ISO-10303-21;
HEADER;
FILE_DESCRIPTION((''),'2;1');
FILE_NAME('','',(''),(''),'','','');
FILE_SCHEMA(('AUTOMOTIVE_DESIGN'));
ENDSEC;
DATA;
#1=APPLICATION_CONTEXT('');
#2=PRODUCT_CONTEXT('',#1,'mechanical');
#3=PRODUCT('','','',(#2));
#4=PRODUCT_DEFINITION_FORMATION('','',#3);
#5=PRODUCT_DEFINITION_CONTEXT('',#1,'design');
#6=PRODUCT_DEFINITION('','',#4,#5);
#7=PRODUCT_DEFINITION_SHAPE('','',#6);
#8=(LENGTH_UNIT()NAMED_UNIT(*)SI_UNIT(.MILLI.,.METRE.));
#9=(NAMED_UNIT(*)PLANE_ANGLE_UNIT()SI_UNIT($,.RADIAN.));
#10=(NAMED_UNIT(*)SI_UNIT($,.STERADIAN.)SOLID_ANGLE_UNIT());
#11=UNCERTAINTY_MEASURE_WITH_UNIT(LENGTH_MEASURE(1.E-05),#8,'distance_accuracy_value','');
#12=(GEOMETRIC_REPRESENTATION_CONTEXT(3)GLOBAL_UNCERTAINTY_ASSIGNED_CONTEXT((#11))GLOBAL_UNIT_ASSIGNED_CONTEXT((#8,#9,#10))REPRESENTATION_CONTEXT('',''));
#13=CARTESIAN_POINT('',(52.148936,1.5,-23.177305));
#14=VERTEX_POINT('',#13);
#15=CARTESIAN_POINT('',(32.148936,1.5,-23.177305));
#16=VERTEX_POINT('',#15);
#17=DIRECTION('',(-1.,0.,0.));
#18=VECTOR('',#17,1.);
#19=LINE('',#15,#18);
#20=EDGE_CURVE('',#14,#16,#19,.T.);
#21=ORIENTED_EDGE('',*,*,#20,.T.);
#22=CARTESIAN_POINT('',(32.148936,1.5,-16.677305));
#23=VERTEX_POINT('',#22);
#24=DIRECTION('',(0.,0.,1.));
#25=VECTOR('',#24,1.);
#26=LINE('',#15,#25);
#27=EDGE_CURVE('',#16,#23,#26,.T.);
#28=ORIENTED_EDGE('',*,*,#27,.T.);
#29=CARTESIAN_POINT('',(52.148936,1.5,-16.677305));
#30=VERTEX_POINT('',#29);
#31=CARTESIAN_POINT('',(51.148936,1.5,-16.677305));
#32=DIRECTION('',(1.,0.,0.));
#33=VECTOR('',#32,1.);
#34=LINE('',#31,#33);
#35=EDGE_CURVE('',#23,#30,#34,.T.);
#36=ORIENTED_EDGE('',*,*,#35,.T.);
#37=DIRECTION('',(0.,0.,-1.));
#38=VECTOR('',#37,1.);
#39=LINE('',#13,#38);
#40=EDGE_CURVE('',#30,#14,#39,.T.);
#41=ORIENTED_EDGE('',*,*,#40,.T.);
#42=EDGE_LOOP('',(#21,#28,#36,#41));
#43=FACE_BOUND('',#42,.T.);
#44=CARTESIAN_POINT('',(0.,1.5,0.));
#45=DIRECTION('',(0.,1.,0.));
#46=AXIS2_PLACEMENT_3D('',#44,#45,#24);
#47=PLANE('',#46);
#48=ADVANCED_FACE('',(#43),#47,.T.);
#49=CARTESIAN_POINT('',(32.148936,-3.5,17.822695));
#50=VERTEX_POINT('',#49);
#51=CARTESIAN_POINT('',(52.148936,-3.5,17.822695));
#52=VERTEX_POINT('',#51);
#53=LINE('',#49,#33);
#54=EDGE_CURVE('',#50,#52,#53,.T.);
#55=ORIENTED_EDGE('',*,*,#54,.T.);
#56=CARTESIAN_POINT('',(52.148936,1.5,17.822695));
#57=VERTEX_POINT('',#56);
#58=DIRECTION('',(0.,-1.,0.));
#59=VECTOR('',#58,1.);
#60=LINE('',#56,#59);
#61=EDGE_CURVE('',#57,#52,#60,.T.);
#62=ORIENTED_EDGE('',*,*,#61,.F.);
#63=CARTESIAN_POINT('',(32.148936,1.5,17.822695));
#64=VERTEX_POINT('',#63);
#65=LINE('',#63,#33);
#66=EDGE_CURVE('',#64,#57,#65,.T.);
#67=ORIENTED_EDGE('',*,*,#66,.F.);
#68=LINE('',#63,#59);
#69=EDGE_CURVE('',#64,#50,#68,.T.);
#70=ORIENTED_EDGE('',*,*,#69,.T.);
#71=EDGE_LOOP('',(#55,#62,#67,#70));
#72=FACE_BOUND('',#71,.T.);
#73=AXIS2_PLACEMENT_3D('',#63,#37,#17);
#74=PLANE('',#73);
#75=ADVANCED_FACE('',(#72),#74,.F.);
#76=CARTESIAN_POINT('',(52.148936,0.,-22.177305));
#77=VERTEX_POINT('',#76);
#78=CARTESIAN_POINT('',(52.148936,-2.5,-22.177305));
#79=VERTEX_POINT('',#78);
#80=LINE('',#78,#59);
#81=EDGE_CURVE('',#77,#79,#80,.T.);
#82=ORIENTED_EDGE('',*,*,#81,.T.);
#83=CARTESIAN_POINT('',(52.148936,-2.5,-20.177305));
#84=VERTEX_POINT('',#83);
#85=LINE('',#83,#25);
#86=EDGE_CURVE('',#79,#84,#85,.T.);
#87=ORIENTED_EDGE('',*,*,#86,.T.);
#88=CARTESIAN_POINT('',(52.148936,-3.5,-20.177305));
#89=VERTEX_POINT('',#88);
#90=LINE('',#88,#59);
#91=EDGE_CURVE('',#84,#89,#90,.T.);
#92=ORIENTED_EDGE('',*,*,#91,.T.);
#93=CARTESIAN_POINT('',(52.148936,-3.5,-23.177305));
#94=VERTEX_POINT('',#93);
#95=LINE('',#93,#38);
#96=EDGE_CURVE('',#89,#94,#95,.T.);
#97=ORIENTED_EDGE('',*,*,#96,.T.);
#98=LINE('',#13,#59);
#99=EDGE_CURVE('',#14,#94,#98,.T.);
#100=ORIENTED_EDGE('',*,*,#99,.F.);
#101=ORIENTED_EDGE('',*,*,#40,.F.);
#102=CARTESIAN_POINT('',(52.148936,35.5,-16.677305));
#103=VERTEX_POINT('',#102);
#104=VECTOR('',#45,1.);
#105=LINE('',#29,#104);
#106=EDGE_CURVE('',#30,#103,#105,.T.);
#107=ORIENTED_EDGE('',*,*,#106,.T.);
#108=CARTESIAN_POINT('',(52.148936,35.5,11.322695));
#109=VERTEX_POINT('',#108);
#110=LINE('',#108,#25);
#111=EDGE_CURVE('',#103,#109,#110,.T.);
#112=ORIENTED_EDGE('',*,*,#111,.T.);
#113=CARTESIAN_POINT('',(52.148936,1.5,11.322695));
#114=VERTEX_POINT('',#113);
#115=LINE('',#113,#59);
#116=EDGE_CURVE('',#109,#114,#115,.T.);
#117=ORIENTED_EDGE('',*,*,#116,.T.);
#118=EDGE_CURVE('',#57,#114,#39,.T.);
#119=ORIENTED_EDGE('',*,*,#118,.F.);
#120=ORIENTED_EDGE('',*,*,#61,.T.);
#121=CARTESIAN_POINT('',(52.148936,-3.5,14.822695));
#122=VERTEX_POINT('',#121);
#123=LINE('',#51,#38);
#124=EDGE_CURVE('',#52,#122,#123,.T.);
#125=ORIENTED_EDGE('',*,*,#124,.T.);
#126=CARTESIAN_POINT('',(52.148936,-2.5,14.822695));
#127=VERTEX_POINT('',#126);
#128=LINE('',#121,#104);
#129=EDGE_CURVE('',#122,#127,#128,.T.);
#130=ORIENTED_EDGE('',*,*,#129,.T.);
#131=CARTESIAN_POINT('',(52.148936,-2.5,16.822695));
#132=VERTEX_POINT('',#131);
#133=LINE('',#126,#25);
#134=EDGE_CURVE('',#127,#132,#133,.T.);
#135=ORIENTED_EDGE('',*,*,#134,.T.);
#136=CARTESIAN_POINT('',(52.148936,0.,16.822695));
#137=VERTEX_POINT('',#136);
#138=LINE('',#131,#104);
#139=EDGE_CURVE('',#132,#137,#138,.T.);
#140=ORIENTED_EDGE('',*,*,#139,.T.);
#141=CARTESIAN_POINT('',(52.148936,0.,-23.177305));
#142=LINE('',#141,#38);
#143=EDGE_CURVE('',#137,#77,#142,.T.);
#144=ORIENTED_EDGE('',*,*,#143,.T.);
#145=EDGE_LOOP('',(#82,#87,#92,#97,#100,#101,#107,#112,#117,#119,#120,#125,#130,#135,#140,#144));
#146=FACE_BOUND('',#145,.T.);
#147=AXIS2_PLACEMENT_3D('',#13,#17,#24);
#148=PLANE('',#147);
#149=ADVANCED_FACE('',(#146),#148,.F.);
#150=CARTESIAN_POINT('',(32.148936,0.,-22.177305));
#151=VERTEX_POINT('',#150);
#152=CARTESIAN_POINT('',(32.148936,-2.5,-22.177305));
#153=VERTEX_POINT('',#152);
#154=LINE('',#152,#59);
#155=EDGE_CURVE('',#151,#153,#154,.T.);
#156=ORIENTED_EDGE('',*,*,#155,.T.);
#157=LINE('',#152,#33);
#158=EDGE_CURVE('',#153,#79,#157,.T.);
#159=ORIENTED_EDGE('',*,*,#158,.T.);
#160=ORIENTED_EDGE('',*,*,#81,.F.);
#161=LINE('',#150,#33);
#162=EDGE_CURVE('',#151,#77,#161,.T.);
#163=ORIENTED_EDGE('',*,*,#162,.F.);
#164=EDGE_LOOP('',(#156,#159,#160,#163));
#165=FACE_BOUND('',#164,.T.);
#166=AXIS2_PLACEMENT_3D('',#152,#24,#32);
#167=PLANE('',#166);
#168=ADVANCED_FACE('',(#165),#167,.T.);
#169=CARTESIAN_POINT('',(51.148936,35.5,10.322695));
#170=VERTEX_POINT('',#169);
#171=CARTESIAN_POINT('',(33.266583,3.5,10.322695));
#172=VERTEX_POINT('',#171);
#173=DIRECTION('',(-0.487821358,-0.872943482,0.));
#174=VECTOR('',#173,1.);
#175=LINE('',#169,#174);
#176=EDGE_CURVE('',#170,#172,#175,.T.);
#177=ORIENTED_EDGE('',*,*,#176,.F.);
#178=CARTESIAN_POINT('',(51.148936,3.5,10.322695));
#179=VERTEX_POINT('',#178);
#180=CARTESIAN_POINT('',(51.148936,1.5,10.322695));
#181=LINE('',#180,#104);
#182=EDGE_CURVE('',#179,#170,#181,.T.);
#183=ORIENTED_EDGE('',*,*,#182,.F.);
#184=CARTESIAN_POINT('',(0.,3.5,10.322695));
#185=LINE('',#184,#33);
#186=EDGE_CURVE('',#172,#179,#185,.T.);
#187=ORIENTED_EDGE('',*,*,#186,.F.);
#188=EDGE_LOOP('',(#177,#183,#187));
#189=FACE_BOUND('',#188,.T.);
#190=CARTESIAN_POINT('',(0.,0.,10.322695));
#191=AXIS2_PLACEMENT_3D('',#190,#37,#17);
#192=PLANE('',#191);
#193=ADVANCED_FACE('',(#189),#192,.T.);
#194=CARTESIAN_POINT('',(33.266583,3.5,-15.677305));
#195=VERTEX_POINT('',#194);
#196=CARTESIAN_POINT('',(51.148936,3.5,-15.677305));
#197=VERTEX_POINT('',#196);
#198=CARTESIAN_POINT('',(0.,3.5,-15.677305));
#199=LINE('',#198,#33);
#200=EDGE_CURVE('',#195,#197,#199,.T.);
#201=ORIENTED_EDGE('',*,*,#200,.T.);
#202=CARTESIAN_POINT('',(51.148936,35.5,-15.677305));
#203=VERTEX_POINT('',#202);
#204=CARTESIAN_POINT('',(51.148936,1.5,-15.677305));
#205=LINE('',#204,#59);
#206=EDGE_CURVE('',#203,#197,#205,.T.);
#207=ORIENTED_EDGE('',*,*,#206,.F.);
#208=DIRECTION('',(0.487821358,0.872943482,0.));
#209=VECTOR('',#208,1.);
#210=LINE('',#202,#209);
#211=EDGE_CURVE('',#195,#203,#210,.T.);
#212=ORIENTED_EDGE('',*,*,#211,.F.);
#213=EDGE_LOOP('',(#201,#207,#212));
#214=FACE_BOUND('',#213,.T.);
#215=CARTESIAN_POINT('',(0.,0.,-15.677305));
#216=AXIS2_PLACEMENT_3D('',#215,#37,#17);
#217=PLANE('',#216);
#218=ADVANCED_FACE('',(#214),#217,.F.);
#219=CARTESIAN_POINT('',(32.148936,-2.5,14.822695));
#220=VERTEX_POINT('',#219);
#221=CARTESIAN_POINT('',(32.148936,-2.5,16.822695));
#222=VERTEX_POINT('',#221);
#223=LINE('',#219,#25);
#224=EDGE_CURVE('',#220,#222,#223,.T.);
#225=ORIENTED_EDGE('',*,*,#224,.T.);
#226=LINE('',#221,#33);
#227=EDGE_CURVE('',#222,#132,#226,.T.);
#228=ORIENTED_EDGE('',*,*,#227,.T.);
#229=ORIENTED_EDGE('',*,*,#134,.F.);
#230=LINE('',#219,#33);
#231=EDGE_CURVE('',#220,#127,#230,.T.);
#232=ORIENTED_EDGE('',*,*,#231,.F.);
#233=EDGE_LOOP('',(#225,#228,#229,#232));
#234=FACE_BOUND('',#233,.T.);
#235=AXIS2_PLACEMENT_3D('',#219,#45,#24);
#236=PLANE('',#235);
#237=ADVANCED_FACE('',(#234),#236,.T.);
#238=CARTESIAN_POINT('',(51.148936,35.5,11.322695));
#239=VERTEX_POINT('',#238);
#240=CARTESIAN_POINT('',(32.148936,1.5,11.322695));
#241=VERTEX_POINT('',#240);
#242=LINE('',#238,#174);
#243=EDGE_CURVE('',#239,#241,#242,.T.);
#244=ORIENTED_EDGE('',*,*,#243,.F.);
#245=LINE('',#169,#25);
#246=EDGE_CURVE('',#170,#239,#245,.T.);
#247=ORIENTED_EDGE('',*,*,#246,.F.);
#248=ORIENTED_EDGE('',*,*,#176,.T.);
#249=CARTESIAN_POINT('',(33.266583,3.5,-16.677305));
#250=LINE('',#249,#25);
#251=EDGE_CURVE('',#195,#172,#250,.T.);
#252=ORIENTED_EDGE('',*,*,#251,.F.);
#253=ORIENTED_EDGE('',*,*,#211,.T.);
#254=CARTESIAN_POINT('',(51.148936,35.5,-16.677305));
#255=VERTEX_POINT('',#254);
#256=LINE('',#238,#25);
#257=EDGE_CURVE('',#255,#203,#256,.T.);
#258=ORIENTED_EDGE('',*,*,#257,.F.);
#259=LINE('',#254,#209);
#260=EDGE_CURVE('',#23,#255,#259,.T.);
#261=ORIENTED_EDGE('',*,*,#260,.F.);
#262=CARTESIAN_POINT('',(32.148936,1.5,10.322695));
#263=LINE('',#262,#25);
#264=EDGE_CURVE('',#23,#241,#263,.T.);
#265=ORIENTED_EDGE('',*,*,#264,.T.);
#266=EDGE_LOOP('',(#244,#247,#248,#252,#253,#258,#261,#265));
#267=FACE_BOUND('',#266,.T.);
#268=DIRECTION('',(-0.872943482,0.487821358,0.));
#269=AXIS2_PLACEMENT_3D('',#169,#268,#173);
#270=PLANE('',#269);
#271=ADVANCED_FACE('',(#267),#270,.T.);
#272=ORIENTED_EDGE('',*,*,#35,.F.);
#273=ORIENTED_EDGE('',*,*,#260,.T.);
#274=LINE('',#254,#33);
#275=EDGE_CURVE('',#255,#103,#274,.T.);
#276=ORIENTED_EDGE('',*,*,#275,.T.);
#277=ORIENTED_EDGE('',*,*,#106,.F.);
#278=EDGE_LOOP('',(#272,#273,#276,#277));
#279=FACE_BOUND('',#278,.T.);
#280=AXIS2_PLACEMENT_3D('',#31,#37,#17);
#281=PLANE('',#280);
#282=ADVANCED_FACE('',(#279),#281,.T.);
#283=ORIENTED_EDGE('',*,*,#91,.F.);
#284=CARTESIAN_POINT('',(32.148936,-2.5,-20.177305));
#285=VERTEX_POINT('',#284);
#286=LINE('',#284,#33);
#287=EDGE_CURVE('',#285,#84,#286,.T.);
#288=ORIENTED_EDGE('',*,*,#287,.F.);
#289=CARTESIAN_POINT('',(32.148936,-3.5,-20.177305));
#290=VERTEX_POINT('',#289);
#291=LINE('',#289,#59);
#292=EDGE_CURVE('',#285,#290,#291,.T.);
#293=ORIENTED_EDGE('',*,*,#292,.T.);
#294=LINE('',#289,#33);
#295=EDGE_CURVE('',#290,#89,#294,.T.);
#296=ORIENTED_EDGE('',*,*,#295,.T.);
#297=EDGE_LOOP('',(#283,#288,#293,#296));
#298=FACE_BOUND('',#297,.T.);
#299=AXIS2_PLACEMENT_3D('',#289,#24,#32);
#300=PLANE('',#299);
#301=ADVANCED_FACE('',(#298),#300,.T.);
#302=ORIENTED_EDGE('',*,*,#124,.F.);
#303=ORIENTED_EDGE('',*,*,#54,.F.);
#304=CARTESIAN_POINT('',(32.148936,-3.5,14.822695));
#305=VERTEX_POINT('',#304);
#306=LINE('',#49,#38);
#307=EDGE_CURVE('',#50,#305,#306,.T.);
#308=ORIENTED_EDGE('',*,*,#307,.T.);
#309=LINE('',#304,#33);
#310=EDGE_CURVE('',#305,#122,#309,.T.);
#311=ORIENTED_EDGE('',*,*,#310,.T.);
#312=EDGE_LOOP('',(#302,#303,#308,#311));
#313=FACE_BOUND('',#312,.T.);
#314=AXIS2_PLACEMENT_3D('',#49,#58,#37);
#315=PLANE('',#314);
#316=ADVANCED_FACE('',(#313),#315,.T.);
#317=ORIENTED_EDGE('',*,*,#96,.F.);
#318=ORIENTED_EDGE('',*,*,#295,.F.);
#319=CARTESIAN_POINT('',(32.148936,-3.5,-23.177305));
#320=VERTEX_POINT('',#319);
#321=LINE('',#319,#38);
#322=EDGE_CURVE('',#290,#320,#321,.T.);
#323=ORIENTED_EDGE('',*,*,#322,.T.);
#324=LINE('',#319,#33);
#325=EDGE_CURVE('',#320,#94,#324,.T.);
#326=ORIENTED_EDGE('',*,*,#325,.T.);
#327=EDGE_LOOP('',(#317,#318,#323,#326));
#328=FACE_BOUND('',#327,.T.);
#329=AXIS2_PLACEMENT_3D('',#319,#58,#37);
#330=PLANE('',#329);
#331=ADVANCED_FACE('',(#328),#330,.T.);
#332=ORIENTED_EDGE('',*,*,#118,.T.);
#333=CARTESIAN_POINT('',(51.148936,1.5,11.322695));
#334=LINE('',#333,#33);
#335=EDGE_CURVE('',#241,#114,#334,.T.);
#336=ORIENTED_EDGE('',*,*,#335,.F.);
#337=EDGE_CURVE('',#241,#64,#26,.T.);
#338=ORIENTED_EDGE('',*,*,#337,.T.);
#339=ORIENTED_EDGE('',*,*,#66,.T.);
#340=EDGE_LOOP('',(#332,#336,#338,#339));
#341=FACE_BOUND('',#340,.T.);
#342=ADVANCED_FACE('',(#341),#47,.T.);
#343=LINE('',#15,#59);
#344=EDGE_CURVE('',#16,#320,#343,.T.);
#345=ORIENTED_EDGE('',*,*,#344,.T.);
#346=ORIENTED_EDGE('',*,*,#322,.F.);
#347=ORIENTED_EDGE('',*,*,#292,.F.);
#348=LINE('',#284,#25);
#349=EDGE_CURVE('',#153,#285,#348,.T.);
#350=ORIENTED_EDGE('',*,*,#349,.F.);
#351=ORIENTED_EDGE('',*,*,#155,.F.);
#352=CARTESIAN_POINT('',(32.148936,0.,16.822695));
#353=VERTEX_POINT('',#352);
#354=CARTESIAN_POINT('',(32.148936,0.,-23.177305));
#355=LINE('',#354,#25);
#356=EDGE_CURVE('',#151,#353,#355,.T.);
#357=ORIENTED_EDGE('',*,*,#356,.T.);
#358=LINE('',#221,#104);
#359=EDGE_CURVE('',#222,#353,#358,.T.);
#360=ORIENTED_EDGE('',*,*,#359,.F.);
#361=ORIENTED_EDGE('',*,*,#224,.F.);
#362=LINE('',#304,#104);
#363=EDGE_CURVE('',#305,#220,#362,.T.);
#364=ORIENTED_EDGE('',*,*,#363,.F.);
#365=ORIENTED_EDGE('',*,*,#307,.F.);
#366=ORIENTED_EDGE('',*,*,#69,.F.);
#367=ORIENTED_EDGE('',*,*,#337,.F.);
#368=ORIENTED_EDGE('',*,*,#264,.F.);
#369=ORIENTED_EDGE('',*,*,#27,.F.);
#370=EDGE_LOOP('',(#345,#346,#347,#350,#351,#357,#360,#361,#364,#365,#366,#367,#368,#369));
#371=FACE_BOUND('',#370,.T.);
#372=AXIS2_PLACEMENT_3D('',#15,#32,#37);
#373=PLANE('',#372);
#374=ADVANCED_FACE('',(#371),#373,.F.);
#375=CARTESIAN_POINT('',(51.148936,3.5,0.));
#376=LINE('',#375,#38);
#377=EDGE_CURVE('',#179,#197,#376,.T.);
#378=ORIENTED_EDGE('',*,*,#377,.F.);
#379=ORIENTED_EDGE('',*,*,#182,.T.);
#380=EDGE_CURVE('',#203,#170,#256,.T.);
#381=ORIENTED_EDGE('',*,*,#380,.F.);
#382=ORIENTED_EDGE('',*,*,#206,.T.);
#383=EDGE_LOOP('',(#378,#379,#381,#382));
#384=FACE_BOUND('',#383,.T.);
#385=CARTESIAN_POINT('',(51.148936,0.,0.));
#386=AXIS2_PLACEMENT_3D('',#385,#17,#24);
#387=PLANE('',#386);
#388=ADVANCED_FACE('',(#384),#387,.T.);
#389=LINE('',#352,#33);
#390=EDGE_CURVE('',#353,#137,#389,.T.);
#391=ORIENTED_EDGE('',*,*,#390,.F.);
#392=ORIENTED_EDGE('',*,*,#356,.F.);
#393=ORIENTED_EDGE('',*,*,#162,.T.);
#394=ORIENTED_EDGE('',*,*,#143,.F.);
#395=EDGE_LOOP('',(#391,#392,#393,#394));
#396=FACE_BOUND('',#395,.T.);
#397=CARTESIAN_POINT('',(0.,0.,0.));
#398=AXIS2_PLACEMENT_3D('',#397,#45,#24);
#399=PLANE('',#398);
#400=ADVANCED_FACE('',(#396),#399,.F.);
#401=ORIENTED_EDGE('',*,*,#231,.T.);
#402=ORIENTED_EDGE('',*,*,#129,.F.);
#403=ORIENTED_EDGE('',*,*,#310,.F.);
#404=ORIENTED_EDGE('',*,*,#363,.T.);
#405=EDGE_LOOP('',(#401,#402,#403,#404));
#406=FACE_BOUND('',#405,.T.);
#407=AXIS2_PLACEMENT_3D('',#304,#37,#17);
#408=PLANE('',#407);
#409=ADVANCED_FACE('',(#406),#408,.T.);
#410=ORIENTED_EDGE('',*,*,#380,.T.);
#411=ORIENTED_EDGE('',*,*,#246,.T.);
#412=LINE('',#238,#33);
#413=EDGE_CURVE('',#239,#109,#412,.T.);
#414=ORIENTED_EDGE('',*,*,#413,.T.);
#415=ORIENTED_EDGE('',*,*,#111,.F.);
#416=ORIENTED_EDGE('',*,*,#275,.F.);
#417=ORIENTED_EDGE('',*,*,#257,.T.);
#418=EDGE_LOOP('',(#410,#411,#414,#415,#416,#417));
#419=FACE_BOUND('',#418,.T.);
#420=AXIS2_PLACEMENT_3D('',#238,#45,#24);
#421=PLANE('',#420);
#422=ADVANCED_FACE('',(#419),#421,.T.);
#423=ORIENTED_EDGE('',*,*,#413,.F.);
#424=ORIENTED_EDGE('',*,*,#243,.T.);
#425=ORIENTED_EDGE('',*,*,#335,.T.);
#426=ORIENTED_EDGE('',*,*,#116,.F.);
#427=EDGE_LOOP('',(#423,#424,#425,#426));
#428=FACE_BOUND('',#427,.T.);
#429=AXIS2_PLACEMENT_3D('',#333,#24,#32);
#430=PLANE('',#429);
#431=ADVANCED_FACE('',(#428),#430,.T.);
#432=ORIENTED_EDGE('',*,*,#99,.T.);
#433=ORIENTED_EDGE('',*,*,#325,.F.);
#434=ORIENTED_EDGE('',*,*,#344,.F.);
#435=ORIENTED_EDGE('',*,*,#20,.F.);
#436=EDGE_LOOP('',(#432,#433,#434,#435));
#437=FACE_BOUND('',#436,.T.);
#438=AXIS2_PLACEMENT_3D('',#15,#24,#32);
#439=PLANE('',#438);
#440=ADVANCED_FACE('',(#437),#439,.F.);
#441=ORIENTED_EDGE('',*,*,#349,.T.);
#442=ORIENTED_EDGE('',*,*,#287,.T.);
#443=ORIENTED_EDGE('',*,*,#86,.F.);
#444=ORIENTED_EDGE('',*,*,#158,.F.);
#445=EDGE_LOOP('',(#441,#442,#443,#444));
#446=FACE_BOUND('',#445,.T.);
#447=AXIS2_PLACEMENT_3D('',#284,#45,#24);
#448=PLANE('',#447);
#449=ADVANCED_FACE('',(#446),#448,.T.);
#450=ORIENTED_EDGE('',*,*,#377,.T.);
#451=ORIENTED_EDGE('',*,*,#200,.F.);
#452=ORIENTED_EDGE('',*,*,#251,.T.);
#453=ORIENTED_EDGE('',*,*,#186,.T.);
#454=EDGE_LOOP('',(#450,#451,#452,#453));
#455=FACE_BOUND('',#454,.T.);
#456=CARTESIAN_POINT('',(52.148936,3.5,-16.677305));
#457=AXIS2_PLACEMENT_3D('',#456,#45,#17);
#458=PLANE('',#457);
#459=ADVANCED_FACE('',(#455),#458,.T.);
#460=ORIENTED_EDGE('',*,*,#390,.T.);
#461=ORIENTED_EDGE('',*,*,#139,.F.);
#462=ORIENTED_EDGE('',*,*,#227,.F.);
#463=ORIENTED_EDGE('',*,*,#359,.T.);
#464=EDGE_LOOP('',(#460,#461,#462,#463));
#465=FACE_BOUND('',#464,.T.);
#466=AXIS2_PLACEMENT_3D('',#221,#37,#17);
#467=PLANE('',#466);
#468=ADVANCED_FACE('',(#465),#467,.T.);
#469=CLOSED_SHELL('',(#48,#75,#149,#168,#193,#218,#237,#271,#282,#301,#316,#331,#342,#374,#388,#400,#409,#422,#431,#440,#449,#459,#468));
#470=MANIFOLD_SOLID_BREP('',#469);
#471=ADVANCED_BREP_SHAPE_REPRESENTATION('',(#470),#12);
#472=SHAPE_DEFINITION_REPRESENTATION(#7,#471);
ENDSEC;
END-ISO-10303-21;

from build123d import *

# Parameters (mm, degrees)
CROQUIS1_W              = 20
CROQUIS1_H              = 41
SALIENTE_EXTRUIR1_DEPTH = 1.5
SALIENTE_EXTRUIR3_DEPTH = 20
CROQUIS4_W              = 28
CROQUIS4_H              = 34
SALIENTE_EXTRUIR4_DEPTH = 1
SALIENTE_EXTRUIR5_DEPTH = 1
SALIENTE_EXTRUIR6_DEPTH = 1
SALIENTE_EXTRUIR7_DEPTH = 28


with BuildPart() as part:
    # Croquis1 → Saliente-Extruir1 (new body)
    with BuildSketch(Plane(origin=(0, 0, 0), x_dir=(1, 0, 0), z_dir=(0, 1, 0))):
        with Locations((42.14893617, 2.677304965)):
            Rectangle(CROQUIS1_W, CROQUIS1_H)
    extrude(amount=SALIENTE_EXTRUIR1_DEPTH)

    # Croquis3 → Saliente-Extruir3 (add)
    with BuildSketch(Plane(origin=(52.14893617, 0, 0), x_dir=(0, 0, -1), z_dir=(1, 0, 0))):
        Polygon((-17.822695035, 0), (-17.822695035, -3.5), (-14.822695035, -3.5), (-14.822695035, -2.5), (-16.822695035, -2.5), (-16.822695035, 0), align=None)
        Polygon((22.177304965, -2.5), (22.177304965, 0), (23.177304965, 0), (23.177304965, -3.5), (20.177304965, -3.5), (20.177304965, -2.5), align=None)
    extrude(amount=-SALIENTE_EXTRUIR3_DEPTH)

    # Croquis4 → Saliente-Extruir4 (add)
    with BuildSketch(Plane(origin=(52.14893617, 0, 0), x_dir=(0, 0, -1), z_dir=(1, 0, 0))):
        with Locations((2.677304965, 18.5)):
            Rectangle(CROQUIS4_W, CROQUIS4_H)
    extrude(amount=-SALIENTE_EXTRUIR4_DEPTH)

    # Croquis5 → Saliente-Extruir5 (add)
    with BuildSketch(Plane.XY.offset(11.322695035)):
        Polygon((51.14893617, 35.5), (32.14893617, 1.5), (51.14893617, 1.5), align=None)
    extrude(amount=-SALIENTE_EXTRUIR5_DEPTH)

    # Croquis6 → Saliente-Extruir6 (add)
    with BuildSketch(Plane(origin=(0, 0, -16.677304965), x_dir=(-1, 0, 0), z_dir=(0, 0, -1))):
        Polygon((-51.14893617, 35.5), (-32.14893617, 1.5), (-51.14893617, 1.5), align=None)
    extrude(amount=-SALIENTE_EXTRUIR6_DEPTH)

    # Croquis7 → Saliente-Extruir7 (add)
    with BuildSketch(Plane.XY.offset(11.322695035)):
        Polygon((52.14893617, 1.5), (52.14893617, 3.5), (33.266583229, 3.5), (32.14893617, 1.5), align=None)
    extrude(amount=-SALIENTE_EXTRUIR7_DEPTH)


solid = part.part
